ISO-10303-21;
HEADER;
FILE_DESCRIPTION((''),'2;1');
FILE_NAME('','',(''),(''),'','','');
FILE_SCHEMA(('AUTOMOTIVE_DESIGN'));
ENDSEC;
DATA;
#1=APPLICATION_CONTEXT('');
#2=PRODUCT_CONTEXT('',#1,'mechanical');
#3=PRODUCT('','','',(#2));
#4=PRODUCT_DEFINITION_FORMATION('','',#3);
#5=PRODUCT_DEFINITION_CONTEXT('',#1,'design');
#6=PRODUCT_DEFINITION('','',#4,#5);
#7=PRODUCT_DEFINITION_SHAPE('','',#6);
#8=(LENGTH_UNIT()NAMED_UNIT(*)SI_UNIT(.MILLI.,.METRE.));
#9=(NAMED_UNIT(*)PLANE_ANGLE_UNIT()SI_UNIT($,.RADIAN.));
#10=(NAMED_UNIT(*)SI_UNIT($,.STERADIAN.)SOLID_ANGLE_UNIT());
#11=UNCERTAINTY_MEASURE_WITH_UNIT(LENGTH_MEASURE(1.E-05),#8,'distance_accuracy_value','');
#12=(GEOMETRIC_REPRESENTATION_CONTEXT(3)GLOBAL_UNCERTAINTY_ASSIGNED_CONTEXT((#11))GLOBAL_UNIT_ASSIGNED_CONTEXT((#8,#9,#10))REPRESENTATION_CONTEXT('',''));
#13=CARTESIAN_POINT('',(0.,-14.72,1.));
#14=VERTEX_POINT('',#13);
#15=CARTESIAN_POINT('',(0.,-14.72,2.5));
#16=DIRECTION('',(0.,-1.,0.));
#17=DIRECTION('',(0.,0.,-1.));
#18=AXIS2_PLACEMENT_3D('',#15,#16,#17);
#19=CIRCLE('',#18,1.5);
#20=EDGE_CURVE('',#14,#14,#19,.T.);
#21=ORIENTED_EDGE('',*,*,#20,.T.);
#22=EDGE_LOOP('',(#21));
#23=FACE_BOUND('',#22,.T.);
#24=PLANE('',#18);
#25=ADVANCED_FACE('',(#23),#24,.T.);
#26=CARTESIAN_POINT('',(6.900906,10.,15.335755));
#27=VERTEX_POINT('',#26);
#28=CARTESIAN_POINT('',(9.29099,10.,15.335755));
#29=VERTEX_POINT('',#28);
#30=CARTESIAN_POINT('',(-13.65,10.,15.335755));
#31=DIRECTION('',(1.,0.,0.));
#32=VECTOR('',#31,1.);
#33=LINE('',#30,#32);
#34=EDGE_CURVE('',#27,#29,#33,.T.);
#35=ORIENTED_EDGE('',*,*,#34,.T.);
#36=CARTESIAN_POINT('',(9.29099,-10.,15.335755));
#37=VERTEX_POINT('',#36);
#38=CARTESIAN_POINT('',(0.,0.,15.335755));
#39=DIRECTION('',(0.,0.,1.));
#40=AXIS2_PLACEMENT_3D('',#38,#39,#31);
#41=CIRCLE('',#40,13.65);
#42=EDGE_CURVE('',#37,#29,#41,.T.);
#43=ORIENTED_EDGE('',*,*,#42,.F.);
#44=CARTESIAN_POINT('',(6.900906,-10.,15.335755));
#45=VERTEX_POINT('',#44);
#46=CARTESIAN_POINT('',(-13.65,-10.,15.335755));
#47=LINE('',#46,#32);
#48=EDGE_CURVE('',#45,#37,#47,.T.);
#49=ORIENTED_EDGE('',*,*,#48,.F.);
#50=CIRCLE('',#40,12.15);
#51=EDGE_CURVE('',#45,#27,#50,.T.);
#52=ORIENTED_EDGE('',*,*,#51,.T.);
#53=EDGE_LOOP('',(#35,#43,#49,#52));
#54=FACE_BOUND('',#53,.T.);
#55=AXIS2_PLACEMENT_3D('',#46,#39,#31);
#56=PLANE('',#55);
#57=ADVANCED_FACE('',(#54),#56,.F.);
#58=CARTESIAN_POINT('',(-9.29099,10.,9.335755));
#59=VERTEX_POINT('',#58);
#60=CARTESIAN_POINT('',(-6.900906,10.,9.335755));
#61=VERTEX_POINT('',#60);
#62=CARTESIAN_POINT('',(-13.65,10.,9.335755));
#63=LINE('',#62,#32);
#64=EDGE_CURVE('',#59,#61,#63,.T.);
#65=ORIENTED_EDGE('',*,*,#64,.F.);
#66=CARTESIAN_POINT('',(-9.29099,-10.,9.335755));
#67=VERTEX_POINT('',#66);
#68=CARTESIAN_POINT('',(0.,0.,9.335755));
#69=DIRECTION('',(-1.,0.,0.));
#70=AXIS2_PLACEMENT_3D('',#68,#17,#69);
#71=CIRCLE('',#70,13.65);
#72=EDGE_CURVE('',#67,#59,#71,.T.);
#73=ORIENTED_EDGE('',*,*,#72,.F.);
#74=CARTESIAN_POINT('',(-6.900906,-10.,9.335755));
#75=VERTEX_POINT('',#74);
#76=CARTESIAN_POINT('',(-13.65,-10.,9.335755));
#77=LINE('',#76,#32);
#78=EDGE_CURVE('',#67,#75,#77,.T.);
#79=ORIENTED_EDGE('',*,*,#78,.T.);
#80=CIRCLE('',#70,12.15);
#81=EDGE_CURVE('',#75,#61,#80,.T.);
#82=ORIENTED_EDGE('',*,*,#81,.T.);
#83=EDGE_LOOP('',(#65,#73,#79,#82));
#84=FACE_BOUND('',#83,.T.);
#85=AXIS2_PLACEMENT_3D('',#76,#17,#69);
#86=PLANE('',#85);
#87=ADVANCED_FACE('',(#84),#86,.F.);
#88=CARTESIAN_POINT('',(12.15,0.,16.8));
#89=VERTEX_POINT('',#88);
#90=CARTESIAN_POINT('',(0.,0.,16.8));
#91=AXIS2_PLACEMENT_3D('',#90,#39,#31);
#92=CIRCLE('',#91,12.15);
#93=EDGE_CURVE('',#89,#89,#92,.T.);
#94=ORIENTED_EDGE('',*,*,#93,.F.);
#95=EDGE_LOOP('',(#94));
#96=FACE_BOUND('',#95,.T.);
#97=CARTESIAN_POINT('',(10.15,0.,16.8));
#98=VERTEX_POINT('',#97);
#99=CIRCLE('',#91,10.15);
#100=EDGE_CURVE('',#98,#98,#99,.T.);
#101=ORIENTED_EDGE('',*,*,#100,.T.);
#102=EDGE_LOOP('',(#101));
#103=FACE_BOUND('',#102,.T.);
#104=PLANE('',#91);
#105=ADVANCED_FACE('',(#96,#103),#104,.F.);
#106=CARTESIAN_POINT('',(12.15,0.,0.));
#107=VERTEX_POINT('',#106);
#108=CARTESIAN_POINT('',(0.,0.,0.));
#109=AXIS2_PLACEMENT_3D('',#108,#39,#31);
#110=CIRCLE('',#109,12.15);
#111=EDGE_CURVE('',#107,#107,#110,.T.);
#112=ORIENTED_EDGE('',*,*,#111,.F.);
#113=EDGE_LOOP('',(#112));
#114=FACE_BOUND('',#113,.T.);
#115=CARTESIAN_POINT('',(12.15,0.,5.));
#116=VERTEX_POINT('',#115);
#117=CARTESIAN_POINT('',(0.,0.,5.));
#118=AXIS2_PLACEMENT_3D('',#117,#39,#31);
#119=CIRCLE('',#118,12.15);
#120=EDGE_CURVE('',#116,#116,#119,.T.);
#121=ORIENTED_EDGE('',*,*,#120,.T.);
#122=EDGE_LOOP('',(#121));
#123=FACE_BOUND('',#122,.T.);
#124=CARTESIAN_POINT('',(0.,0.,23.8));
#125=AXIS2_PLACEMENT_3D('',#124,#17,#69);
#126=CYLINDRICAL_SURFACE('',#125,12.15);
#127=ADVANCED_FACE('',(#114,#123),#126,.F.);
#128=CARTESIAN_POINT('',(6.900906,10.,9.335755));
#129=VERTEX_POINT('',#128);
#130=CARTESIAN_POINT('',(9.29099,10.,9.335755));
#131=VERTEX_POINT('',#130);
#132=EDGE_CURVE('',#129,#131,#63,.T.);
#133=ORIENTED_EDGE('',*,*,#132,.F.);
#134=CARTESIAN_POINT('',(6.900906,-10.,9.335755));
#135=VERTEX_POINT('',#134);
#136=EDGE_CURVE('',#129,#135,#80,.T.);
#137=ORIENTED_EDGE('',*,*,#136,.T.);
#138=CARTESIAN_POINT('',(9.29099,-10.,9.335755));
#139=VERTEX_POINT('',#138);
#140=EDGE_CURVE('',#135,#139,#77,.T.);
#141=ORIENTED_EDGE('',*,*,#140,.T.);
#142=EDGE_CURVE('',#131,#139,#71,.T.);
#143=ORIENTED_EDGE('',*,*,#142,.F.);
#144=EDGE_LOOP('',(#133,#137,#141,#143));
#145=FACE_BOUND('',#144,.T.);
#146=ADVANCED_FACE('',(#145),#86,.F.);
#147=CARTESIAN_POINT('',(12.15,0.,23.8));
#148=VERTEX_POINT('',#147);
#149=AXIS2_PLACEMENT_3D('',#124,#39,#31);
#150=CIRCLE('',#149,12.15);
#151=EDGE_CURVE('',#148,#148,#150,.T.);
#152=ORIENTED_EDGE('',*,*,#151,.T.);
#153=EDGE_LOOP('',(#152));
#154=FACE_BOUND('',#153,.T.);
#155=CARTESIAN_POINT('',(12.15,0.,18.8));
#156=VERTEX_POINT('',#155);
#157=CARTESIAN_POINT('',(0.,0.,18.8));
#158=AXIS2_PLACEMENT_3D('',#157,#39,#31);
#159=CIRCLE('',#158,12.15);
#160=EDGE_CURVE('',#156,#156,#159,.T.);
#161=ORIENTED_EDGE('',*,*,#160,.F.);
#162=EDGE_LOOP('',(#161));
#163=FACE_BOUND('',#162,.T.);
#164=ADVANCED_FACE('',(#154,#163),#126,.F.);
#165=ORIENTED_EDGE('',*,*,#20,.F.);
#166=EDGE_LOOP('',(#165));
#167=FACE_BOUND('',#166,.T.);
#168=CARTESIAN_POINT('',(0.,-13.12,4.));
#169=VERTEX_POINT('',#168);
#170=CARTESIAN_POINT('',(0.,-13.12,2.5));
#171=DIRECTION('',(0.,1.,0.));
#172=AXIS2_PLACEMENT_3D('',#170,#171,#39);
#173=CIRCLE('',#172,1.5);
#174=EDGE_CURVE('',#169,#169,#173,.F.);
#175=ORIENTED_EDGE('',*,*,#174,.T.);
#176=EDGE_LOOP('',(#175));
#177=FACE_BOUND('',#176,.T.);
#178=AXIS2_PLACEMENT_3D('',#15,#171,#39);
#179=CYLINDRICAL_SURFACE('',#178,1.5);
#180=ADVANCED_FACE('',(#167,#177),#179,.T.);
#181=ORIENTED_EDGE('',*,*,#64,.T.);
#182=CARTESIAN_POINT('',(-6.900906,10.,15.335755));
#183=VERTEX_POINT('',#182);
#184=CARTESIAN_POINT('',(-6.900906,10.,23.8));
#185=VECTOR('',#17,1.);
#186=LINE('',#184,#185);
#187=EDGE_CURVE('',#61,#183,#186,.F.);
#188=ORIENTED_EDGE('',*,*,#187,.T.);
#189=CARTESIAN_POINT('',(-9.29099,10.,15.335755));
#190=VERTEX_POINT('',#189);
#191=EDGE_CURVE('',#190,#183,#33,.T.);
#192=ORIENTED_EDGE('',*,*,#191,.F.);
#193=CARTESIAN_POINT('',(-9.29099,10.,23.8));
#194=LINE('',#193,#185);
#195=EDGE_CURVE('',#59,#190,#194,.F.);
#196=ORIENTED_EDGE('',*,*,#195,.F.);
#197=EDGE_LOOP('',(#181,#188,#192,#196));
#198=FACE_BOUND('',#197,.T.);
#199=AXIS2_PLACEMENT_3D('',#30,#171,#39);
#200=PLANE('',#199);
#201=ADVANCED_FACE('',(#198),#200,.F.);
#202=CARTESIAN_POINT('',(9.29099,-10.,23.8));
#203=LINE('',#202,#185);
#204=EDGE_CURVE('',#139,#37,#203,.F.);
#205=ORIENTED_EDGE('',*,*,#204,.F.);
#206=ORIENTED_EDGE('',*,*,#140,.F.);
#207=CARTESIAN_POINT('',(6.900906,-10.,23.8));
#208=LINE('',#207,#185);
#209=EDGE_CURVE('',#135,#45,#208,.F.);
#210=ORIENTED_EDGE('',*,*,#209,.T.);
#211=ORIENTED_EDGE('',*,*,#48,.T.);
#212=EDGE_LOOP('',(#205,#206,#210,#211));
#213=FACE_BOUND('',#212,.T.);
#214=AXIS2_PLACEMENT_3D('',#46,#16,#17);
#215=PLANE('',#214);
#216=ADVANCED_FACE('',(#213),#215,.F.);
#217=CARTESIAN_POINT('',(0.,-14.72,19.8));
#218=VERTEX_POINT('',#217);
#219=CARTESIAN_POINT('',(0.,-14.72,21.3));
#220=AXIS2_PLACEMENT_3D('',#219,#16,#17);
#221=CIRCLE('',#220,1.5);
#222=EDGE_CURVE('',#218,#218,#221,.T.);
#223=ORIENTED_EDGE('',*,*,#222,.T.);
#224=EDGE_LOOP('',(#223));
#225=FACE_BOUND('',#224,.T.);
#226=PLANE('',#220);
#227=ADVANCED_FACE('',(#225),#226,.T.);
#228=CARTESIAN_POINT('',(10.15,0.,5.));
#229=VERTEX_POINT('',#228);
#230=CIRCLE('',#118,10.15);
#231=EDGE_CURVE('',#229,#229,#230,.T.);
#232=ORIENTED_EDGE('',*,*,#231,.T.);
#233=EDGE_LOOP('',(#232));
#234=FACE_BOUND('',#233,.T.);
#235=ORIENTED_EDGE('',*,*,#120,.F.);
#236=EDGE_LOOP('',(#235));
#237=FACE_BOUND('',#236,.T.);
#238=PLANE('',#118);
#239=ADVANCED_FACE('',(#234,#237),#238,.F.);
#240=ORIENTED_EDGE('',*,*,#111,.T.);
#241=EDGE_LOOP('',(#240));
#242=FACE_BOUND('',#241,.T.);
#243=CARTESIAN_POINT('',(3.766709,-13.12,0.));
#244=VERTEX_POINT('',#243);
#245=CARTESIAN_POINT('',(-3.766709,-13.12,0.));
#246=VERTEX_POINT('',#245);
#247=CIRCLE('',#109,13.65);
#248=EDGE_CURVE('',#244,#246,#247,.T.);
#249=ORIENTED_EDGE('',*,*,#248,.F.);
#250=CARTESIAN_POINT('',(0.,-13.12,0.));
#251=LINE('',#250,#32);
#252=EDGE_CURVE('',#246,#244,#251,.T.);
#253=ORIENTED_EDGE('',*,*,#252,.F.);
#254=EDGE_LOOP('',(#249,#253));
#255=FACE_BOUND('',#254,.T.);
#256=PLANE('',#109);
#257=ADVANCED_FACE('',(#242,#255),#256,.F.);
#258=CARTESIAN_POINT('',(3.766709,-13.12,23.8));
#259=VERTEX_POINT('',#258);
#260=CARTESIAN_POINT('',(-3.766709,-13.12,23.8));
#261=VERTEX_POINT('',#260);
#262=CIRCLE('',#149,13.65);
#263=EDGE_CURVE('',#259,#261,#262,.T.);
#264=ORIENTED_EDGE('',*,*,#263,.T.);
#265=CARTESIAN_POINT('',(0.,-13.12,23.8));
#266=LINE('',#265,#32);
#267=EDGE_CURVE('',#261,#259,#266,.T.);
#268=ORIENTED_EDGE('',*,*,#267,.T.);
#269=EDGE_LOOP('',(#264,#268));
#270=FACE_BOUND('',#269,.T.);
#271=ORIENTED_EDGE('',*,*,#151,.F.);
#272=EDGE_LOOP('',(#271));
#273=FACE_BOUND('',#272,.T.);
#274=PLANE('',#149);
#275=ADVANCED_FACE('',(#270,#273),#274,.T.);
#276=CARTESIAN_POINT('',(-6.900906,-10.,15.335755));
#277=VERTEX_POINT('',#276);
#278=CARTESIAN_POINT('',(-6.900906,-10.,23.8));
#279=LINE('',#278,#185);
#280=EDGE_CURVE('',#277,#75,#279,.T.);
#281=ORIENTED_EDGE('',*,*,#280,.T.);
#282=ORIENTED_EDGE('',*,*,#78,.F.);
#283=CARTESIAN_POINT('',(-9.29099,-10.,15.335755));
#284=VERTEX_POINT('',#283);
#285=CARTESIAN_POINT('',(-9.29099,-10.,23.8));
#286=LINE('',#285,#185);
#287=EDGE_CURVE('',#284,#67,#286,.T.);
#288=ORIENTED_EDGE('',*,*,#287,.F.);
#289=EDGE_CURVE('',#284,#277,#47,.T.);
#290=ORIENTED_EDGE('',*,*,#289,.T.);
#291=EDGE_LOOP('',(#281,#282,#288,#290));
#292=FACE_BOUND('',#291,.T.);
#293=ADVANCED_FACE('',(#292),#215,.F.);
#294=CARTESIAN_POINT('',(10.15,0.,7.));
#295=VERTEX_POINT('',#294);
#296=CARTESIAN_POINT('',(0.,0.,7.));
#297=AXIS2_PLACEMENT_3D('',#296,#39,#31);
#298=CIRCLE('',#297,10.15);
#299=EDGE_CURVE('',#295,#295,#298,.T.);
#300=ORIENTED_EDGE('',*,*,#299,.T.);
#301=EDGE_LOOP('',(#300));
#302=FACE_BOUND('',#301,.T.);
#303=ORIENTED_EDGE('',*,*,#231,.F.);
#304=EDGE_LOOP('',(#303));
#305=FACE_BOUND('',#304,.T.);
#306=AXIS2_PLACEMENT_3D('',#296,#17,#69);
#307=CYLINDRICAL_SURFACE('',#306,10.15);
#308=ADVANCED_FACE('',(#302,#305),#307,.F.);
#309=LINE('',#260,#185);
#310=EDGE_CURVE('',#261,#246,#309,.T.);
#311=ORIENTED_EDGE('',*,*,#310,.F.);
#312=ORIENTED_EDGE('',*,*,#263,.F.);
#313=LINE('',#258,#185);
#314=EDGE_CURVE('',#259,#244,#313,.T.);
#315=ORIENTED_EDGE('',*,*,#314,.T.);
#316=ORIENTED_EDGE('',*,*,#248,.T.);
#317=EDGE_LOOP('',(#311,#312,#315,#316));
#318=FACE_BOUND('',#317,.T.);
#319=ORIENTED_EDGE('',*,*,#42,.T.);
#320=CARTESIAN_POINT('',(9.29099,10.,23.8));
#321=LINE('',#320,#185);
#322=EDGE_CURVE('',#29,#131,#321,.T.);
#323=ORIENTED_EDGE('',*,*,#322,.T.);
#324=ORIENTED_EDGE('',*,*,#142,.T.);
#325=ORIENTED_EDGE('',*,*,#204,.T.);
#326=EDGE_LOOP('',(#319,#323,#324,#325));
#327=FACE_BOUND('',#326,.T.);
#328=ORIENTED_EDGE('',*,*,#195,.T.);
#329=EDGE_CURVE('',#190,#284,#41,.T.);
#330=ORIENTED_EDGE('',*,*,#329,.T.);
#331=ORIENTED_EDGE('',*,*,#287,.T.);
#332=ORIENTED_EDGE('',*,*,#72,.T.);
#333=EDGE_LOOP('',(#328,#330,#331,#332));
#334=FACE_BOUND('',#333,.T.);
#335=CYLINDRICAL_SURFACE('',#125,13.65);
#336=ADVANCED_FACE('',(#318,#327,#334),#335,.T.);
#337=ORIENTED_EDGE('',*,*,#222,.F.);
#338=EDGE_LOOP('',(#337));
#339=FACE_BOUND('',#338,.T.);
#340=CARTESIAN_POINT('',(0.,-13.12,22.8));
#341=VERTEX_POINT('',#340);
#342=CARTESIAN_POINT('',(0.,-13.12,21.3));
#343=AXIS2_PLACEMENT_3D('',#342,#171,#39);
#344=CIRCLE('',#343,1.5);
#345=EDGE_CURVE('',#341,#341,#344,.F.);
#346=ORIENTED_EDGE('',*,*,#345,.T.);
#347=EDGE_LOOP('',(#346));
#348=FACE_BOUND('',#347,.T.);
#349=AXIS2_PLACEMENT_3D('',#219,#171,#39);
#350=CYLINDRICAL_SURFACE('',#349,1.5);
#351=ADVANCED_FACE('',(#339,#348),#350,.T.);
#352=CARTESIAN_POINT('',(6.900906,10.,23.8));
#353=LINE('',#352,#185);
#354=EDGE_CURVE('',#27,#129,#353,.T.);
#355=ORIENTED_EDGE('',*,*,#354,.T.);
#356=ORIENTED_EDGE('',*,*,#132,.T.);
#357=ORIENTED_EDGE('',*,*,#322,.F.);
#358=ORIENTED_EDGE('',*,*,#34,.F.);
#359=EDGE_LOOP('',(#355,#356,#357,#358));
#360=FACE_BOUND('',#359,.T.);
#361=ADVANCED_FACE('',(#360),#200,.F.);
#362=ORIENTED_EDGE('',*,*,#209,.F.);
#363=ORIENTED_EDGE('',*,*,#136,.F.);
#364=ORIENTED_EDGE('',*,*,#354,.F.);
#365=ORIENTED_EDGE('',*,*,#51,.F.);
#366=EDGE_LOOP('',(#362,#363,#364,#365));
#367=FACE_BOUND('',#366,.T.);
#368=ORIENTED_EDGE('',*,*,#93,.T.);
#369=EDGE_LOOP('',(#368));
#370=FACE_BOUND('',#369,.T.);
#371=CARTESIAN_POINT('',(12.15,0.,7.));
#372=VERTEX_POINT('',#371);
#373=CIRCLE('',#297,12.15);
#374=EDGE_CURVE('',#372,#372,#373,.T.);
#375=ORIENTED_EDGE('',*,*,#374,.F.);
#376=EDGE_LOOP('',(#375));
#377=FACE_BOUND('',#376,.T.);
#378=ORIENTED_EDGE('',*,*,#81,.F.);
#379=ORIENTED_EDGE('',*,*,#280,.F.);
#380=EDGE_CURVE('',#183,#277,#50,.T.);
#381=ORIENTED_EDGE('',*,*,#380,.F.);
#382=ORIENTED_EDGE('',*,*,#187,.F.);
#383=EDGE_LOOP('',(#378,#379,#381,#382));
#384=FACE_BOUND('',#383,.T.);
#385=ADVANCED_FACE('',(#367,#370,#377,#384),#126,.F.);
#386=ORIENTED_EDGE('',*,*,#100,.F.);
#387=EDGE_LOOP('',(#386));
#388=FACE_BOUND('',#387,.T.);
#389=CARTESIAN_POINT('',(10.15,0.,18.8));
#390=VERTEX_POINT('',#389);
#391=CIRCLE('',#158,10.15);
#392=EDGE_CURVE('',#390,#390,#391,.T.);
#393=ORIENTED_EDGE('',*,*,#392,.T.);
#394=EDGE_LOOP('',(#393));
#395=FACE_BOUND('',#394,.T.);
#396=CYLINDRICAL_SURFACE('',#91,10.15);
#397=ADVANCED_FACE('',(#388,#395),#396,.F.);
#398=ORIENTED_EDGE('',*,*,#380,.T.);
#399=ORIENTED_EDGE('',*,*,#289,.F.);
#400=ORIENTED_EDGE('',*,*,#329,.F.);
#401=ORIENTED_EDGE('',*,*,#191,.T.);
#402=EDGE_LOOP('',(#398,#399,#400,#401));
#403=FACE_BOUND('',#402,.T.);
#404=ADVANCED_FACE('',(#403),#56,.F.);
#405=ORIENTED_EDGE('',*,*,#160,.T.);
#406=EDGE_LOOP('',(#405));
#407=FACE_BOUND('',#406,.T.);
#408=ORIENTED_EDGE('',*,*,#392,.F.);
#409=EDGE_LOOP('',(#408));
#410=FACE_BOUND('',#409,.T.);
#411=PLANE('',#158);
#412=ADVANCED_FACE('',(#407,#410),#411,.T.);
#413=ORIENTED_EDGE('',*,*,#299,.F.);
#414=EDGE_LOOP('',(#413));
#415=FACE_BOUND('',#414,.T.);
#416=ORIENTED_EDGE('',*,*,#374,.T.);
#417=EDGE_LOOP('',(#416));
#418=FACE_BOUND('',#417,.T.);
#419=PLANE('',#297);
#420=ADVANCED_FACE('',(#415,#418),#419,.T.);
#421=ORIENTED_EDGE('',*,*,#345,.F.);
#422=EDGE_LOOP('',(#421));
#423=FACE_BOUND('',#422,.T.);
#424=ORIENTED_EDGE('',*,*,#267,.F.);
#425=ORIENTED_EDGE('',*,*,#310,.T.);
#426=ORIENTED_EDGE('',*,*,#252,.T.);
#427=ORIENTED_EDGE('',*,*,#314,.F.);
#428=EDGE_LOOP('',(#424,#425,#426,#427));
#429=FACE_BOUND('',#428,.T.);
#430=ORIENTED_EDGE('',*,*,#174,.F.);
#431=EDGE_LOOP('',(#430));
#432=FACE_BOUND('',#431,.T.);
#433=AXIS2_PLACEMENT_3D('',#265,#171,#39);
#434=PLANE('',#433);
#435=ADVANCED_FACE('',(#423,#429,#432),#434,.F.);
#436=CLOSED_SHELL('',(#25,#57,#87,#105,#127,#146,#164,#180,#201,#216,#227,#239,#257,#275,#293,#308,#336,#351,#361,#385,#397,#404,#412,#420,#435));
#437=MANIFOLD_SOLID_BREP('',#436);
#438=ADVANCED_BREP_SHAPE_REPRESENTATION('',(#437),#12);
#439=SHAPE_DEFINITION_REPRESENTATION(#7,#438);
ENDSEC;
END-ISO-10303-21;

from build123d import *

# Parameters (mm, degrees)
SKETCH1_R               = 12.15
BOSS_EXTRUDE1_DEPTH     = 23.8
BOSS_EXTRUDE2_START     = -7
SKETCH2_R               = 12.15
SKETCH2_R_2             = 10.15
BOSS_EXTRUDE2_DEPTH     = 2
BOSS_EXTRUDE3_START     = -18.8
SKETCH2_2_R             = 12.15
SKETCH2_2_R_2           = 10.15
BOSS_EXTRUDE3_DEPTH     = 2
CUT_EXTRUDE1_DEPTH      = 31.644493796
CUT_EXTRUDE1_DEPTH_BACK = 31.644493796
SKETCH4_W               = 6
SKETCH4_H               = 20
SKETCH5_R               = 1.5
BOSS_EXTRUDE4_DEPTH     = 1.6


with BuildPart() as part:
    # Sketch1 → Boss-Extrude1 (new body)
    with BuildSketch(Plane.XY):
        with BuildLine():
            ThreePointArc((13.65, 0), (-8.213005423, 10.902708009), (-3.766709439, -13.12))
            Line((-3.766709439, -13.12), (3.766709439, -13.12))
            ThreePointArc((3.766709439, -13.12), (10.902708009, -8.213005423), (13.65, 0))
        make_face()
        Circle(SKETCH1_R, mode=Mode.SUBTRACT)
    extrude(amount=BOSS_EXTRUDE1_DEPTH)

    # Sketch2 → Boss-Extrude2 (add)
    with BuildSketch(Plane.XY.offset(23.8).offset(BOSS_EXTRUDE2_START)):
        Circle(SKETCH2_R)
        Circle(SKETCH2_R_2, mode=Mode.SUBTRACT)
    extrude(amount=BOSS_EXTRUDE2_DEPTH)

    # Sketch2<2> → Boss-Extrude3 (add)
    with BuildSketch(Plane.XY.offset(23.8).offset(BOSS_EXTRUDE3_START)):
        Circle(SKETCH2_2_R)
        Circle(SKETCH2_2_R_2, mode=Mode.SUBTRACT)
    extrude(amount=BOSS_EXTRUDE3_DEPTH)

    # Sketch4 → Cut-Extrude1 (cut, two sides: drawn at the far end of the back side and taken through both)
    with BuildSketch(Plane(origin=(0, 0, 0), x_dir=(0, 0, -1), z_dir=(1, 0, 0)).offset(-CUT_EXTRUDE1_DEPTH_BACK)):
        with Locations((-12.335754997, 0)):
            Rectangle(SKETCH4_W, SKETCH4_H)
    extrude(amount=CUT_EXTRUDE1_DEPTH + CUT_EXTRUDE1_DEPTH_BACK, mode=Mode.SUBTRACT)

    # Sketch5 → Boss-Extrude4 (add)
    with BuildSketch(Plane.XZ.offset(13.12)):
        with Locations((0, 21.3)):
            Circle(SKETCH5_R)
        with Locations((0, 2.5)):
            Circle(SKETCH5_R)
    extrude(amount=BOSS_EXTRUDE4_DEPTH)


solid = part.part
